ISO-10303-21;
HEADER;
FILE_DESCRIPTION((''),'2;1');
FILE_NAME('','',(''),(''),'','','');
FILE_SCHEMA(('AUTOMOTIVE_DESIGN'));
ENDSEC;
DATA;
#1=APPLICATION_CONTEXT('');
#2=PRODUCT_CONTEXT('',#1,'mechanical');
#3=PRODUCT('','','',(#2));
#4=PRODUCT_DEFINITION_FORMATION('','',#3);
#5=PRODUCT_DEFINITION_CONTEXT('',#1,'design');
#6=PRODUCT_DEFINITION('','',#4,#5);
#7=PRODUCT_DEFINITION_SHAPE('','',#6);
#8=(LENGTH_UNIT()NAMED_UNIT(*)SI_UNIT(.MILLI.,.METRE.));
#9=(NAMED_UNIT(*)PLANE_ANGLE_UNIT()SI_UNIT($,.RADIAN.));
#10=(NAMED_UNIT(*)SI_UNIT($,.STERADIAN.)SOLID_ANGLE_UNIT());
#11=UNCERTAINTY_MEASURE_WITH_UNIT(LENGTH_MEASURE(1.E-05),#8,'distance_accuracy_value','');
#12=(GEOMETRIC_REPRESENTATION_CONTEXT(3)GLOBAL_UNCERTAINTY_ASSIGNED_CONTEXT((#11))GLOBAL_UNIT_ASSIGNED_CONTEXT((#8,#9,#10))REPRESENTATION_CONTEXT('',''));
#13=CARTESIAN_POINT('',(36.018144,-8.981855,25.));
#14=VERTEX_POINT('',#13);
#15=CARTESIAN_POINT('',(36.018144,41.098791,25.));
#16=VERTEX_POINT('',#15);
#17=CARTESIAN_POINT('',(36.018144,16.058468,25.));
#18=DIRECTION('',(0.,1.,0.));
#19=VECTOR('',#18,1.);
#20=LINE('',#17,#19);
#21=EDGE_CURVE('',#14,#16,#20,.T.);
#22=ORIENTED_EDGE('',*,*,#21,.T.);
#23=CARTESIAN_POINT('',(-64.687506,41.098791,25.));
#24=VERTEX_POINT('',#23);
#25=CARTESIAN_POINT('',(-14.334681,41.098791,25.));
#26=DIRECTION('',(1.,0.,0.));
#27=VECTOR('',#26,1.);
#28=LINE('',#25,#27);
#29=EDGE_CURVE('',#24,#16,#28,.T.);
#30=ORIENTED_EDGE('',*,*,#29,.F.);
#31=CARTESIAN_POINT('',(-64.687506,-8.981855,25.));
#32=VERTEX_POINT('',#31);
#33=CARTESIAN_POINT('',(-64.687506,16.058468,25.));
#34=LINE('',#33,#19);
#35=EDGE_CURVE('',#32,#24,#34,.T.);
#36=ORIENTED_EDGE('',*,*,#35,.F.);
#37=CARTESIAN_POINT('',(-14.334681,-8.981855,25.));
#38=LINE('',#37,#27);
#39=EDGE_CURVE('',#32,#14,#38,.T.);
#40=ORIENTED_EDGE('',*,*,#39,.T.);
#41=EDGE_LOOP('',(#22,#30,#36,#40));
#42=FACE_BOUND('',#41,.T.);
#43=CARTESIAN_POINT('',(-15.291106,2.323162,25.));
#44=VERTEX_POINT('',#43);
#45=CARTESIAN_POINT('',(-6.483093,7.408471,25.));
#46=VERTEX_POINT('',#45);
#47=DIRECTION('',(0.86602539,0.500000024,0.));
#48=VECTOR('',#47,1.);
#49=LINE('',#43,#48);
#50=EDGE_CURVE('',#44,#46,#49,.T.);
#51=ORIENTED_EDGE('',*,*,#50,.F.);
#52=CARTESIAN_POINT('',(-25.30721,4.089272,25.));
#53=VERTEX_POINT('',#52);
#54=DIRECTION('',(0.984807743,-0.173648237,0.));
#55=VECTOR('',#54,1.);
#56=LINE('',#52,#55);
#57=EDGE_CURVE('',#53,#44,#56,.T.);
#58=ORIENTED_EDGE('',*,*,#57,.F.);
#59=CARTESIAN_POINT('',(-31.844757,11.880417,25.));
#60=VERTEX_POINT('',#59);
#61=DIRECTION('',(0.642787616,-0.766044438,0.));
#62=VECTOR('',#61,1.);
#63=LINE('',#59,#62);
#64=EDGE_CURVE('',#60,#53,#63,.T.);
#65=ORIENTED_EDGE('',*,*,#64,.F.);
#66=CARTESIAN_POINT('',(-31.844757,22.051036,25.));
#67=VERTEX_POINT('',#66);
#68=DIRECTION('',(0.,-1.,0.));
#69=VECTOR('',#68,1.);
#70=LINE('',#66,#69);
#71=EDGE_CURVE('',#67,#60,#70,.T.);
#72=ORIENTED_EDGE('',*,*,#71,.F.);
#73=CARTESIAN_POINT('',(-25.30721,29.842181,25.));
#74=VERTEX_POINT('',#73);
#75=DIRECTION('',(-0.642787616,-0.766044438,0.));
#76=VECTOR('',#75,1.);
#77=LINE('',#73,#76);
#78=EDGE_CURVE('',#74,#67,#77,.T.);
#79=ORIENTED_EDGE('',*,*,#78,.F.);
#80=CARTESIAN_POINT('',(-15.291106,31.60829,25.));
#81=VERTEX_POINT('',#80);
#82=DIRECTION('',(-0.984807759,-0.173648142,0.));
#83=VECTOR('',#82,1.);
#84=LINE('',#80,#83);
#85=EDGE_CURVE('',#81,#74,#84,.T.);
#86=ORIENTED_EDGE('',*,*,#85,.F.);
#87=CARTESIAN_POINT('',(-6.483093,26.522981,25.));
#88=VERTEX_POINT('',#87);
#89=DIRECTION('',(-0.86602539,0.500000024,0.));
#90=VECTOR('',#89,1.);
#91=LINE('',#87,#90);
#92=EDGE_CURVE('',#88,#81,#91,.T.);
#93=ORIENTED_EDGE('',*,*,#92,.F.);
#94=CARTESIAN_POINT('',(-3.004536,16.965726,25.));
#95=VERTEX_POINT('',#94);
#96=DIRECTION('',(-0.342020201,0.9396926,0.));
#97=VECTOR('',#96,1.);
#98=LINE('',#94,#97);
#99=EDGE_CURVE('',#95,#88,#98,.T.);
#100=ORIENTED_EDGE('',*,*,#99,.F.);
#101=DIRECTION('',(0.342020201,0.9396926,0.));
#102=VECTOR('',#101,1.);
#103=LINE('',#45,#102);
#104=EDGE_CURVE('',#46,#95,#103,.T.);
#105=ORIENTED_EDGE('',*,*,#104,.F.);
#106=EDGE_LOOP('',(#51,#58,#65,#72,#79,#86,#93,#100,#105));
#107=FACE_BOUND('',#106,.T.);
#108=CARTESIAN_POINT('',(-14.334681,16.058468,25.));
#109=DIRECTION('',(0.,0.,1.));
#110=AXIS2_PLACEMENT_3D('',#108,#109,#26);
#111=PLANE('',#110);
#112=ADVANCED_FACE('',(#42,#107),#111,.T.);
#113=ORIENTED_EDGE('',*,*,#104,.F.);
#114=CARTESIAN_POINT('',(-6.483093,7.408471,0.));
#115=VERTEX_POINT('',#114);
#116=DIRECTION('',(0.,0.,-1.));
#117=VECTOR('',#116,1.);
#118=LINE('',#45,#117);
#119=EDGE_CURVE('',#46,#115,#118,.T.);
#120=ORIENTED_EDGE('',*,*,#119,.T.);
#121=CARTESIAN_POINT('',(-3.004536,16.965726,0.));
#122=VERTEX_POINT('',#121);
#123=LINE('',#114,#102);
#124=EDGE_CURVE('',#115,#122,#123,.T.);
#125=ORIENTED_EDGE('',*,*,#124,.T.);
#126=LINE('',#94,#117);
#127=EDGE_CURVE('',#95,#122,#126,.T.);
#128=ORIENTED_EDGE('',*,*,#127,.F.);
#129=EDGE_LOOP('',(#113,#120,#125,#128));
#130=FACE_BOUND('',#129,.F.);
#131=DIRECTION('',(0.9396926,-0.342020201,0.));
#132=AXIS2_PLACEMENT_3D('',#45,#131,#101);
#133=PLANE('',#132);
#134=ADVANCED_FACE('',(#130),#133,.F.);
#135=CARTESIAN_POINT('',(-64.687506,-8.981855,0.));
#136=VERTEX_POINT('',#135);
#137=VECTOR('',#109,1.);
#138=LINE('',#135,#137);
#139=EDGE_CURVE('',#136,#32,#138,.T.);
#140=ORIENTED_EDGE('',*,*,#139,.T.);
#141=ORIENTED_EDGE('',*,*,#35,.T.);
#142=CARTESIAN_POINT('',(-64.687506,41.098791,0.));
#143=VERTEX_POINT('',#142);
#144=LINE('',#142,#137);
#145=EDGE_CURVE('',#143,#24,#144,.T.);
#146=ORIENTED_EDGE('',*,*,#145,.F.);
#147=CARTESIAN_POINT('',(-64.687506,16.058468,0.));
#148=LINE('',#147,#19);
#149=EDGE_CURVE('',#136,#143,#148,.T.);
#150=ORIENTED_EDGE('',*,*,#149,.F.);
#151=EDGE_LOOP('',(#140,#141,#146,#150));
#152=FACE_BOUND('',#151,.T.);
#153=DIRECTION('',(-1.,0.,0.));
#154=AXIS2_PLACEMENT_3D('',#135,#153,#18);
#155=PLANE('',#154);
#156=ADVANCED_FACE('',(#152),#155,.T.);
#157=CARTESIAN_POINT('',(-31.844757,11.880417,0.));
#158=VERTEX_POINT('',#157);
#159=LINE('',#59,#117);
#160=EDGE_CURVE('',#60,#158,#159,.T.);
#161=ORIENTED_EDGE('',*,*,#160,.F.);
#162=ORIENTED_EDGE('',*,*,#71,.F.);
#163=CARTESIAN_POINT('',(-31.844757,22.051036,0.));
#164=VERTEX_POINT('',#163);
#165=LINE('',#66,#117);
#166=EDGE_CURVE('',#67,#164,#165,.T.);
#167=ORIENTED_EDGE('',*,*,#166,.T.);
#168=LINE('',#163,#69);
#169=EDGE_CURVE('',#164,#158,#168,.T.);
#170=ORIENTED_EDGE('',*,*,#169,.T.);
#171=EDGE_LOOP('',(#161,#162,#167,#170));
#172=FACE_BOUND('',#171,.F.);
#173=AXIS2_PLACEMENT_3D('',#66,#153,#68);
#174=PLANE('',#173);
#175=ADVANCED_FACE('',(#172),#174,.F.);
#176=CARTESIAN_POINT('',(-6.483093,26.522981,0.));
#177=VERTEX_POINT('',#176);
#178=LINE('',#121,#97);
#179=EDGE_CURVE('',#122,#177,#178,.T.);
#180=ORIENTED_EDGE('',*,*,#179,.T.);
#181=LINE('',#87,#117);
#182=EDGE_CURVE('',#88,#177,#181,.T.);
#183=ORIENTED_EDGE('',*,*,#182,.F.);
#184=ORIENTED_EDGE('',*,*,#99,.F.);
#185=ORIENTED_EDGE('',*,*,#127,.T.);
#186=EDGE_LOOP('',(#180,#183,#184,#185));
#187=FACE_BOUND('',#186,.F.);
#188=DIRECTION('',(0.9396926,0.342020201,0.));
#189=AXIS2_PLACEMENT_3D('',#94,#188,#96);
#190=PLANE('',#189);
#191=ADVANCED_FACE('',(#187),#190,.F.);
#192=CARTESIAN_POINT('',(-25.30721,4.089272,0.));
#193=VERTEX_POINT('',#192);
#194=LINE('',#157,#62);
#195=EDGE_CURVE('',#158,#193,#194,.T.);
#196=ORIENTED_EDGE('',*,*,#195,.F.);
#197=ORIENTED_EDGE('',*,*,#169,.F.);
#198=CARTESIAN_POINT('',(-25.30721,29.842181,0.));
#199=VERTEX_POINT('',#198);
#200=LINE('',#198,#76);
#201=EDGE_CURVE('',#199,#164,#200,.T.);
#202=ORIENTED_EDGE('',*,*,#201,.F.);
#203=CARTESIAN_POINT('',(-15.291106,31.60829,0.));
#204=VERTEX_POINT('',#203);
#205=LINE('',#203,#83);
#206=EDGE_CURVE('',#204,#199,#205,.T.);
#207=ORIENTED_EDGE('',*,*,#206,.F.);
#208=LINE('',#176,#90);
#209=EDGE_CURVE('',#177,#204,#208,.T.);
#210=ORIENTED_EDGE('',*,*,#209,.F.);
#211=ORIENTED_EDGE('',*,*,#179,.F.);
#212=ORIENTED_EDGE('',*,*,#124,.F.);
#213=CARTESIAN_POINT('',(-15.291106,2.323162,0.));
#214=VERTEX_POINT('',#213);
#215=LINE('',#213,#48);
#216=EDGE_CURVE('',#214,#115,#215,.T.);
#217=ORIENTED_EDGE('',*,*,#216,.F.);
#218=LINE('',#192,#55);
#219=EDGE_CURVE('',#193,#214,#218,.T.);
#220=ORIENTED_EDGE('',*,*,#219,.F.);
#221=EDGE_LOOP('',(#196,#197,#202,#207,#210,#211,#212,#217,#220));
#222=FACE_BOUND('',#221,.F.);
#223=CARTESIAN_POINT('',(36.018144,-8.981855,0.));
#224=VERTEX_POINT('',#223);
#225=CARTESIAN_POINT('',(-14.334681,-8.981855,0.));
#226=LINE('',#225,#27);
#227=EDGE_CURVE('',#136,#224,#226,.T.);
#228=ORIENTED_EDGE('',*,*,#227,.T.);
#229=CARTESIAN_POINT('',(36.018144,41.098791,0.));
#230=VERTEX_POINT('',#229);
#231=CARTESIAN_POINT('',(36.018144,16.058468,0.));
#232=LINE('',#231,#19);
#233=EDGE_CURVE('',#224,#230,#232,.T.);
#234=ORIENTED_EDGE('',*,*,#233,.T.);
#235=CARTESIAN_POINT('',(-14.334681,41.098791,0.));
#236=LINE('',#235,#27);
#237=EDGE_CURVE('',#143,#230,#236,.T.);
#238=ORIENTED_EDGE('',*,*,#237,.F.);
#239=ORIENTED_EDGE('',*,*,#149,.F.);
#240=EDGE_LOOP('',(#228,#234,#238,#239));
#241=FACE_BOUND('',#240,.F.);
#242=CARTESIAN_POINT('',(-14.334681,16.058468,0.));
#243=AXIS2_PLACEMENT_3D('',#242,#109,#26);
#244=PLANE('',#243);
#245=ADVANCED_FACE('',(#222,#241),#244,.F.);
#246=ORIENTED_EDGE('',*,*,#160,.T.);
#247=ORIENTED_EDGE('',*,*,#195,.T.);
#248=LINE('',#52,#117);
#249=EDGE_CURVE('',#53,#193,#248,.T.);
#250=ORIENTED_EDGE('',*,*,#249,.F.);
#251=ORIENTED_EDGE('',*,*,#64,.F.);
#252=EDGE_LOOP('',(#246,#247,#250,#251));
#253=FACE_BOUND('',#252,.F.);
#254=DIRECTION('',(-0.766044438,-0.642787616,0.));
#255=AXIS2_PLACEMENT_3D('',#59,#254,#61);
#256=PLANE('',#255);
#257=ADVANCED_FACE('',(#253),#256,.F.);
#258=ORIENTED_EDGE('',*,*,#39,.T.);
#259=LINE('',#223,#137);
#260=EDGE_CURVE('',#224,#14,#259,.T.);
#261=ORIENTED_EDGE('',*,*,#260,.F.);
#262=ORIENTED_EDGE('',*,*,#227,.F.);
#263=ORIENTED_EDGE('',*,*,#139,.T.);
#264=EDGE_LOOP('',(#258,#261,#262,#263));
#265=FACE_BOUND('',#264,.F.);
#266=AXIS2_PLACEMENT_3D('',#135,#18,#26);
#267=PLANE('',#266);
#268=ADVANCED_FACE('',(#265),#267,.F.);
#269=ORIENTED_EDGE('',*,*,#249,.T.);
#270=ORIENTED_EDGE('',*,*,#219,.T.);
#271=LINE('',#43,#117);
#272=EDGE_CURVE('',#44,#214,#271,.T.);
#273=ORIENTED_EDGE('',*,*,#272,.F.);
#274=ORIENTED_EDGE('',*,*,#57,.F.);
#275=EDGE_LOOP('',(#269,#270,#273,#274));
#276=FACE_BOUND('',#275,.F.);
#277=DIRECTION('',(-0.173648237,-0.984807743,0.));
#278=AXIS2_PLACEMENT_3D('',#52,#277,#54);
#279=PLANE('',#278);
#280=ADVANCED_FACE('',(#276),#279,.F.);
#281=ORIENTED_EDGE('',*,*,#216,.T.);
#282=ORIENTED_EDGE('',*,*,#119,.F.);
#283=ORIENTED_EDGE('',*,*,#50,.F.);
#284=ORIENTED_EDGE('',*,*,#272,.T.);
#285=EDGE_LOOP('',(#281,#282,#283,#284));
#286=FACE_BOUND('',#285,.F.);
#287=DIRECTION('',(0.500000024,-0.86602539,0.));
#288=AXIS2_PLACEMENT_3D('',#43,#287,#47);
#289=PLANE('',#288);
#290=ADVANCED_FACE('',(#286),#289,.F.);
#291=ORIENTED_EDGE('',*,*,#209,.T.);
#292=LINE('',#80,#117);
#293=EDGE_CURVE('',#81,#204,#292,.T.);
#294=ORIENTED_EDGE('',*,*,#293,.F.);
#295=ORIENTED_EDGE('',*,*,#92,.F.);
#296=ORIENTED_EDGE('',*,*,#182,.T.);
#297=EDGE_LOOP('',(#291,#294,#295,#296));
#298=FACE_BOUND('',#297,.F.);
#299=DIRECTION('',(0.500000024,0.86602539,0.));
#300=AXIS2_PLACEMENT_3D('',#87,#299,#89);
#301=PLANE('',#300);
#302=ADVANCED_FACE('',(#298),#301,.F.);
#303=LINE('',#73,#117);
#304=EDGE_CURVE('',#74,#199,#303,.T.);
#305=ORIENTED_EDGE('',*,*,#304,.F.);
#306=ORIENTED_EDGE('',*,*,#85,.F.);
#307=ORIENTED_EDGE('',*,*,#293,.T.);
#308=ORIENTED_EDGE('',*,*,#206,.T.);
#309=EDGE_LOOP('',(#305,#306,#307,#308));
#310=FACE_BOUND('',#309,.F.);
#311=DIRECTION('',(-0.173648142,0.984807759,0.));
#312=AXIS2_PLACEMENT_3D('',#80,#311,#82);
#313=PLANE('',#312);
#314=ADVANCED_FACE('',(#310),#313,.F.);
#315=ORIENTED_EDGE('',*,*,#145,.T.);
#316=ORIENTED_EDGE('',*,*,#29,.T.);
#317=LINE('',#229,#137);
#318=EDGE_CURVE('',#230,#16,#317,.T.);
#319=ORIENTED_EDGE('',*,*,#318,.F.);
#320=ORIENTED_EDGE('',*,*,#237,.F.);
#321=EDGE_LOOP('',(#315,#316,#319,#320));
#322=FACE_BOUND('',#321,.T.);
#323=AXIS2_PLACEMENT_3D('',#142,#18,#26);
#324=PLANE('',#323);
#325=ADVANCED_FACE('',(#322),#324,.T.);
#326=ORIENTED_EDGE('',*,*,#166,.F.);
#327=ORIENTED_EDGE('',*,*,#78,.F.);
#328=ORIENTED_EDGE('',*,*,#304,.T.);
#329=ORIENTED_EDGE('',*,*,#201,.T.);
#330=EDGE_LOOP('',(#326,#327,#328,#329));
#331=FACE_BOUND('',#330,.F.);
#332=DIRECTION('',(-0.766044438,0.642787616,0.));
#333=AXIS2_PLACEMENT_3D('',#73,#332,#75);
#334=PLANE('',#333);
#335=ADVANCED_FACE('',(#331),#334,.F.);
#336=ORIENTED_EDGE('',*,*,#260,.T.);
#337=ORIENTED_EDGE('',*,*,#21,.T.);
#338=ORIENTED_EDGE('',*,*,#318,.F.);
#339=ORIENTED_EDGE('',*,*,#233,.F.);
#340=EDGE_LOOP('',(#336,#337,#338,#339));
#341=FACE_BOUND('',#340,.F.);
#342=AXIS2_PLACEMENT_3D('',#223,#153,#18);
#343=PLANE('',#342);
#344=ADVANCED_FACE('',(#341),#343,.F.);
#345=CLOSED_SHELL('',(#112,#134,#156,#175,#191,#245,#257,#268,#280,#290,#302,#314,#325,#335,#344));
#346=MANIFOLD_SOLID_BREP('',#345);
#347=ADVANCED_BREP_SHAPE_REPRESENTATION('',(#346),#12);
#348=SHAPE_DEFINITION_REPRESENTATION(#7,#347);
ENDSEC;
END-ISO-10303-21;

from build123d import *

# Parameters (mm, degrees)
F0_W     = 100.705649
F0_H     = 50.080647
F1_DEPTH = 25
F3_DEPTH = 25


with BuildPart() as f1:
    # F0 (on Top) → F1 (new body)
    with BuildSketch(Plane.XY):
        with Locations((-14.334681, 16.058468)):
            Rectangle(F0_W, F0_H)
    extrude(amount=F1_DEPTH)

    # F2 (on face) → F3 (cut)
    with BuildSketch(Plane.XY.offset(25)):
        Polygon((-31.844757, 22.051036), (-31.844757, 11.880417), (-25.30721, 4.089272), (-15.291106, 2.323162), (-6.483093, 7.408471), (-3.004536, 16.965726), (-6.483093, 26.522981), (-15.291106, 31.60829), (-25.30721, 29.842181), align=None)
    extrude(amount=-F3_DEPTH, mode=Mode.SUBTRACT)


solid = f1.part
